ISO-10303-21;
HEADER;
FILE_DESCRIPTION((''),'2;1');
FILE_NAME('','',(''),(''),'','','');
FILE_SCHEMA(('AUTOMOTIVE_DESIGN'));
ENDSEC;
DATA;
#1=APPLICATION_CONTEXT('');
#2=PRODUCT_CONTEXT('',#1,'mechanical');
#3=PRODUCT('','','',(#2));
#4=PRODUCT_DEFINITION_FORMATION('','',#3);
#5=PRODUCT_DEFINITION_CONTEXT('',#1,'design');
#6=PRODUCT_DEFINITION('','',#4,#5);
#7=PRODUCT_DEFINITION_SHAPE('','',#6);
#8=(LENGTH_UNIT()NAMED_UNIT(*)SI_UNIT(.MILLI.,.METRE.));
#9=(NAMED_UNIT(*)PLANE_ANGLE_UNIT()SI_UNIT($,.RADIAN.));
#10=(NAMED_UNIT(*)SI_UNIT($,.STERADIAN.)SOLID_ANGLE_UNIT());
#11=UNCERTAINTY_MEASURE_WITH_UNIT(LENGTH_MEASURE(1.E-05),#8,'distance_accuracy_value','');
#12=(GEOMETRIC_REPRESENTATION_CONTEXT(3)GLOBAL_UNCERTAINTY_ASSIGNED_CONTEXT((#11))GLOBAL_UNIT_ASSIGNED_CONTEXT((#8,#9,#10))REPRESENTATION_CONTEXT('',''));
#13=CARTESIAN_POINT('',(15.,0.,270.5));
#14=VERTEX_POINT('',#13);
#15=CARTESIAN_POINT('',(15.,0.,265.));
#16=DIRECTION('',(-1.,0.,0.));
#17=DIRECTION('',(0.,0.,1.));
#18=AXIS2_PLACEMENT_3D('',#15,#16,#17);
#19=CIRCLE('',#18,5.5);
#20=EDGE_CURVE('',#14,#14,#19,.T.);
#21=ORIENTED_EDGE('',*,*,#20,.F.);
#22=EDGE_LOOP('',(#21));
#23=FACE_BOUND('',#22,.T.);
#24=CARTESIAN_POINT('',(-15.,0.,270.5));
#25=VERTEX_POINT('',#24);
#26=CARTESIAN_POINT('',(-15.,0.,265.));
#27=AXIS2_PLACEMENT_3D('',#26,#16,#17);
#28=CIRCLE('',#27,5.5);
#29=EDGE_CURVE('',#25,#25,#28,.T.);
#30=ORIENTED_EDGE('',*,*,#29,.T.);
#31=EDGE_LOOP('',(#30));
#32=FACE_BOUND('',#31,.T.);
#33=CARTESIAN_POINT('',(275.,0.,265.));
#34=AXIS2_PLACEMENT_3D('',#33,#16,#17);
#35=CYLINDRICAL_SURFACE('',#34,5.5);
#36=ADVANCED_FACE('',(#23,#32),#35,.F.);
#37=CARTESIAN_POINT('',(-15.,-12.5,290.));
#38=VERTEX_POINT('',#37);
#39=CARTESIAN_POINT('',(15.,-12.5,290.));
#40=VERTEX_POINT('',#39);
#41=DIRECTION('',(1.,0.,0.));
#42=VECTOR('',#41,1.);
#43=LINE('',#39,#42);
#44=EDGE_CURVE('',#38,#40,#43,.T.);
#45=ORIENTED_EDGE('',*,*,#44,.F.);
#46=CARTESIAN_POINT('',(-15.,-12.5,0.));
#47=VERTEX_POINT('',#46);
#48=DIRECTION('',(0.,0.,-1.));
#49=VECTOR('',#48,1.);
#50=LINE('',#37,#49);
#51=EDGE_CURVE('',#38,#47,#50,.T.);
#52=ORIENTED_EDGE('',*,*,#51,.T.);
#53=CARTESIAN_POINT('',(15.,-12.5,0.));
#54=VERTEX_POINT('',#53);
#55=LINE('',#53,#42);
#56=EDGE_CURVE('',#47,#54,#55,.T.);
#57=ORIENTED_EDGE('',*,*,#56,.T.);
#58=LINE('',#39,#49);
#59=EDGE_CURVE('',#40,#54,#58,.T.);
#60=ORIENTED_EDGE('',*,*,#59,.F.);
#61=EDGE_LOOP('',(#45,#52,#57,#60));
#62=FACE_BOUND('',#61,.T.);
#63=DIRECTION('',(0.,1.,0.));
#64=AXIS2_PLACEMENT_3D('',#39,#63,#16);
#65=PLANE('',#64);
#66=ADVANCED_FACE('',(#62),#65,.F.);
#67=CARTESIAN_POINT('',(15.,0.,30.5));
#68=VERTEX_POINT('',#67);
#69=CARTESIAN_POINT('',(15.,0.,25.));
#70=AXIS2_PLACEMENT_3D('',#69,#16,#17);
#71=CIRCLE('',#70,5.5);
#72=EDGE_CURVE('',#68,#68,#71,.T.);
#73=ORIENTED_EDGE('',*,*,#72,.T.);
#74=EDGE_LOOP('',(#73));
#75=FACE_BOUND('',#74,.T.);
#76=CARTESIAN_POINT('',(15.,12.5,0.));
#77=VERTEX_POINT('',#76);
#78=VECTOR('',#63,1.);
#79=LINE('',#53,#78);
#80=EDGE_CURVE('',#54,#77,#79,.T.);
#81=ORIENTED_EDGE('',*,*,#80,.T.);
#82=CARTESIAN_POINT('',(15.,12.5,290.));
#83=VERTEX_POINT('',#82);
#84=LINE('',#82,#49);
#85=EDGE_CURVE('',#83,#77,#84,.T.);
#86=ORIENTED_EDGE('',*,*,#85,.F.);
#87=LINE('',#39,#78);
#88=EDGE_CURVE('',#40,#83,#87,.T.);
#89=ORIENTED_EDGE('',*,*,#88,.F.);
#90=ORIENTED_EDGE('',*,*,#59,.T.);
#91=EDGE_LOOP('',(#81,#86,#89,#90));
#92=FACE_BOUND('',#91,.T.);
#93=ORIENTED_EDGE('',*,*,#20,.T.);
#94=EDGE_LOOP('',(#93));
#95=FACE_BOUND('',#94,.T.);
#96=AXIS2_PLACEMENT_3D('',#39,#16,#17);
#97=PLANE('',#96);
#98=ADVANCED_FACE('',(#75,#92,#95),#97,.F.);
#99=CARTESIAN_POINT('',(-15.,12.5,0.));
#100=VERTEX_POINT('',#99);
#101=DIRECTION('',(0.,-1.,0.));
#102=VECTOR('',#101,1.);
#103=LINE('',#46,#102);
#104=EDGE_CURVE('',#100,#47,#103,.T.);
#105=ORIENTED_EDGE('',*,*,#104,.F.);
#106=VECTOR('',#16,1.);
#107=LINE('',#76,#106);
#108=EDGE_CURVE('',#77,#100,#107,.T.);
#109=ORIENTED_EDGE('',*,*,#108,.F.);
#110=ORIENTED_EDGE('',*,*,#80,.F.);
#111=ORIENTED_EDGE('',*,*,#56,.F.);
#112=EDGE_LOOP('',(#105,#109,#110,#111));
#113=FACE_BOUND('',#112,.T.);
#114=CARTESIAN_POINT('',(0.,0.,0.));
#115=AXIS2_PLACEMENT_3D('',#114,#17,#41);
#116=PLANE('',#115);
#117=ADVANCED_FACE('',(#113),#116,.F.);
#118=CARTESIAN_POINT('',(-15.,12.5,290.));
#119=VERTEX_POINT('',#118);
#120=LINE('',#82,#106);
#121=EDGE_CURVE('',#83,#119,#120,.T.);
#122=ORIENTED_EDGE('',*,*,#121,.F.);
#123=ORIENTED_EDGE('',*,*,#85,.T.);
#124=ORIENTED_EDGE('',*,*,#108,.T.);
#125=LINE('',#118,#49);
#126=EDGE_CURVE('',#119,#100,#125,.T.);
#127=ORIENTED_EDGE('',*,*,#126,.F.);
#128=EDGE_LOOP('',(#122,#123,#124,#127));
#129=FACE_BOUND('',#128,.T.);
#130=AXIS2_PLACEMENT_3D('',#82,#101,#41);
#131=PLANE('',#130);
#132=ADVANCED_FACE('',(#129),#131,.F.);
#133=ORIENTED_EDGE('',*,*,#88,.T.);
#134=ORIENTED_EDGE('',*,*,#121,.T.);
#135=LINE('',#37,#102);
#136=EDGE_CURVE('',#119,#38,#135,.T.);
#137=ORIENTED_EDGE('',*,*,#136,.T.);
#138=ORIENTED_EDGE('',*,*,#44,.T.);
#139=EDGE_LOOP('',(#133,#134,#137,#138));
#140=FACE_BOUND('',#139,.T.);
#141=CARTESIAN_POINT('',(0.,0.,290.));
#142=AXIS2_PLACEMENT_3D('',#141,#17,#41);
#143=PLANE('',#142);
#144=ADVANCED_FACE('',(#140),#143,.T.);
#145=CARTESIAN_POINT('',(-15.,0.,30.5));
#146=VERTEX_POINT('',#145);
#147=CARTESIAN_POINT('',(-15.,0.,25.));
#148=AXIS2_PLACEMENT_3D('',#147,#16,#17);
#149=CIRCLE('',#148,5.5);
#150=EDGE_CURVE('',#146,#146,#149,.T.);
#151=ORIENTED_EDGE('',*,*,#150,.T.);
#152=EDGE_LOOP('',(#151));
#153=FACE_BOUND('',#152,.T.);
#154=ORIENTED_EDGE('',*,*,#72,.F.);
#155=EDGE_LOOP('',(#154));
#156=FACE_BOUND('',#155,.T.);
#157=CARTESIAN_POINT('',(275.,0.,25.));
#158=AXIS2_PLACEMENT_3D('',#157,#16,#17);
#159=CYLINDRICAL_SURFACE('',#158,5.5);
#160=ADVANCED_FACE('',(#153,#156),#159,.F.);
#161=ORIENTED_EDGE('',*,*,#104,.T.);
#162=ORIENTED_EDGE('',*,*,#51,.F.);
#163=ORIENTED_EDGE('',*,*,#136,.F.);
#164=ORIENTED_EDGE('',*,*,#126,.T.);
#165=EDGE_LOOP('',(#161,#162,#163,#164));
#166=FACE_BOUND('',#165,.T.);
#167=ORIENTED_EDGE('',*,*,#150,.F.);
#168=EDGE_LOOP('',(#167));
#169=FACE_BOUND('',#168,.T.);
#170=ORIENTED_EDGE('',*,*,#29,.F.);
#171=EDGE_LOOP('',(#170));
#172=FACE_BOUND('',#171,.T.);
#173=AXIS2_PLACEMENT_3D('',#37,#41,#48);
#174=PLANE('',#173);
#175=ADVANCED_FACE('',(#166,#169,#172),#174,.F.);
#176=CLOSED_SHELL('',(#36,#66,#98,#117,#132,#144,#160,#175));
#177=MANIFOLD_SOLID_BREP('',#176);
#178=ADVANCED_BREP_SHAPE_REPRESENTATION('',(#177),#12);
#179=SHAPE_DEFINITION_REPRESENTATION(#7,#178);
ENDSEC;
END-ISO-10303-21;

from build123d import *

# Parameters (mm, degrees)
ESBO_O1_W                = 30
ESBO_O1_H                = 25
RESSALTO_EXTRUS_O2_DEPTH = 290
ESBO_O2_R                = 5.5
CORTE_EXTRUS_O1_DEPTH    = 290


with BuildPart() as part:
    # Esboço1 → Ressalto-extrusão2 (new body)
    with BuildSketch(Plane.XY):
        Rectangle(ESBO_O1_W, ESBO_O1_H)
    extrude(amount=RESSALTO_EXTRUS_O2_DEPTH)

    # Esboço2 → Corte-extrusão1 (cut)
    with BuildSketch(Plane.ZY.offset(15)):
        with Locations((25, 0)):
            Circle(ESBO_O2_R)
        with Locations((265, 0)):
            Circle(ESBO_O2_R)
    extrude(amount=-CORTE_EXTRUS_O1_DEPTH, mode=Mode.SUBTRACT)


solid = part.part
